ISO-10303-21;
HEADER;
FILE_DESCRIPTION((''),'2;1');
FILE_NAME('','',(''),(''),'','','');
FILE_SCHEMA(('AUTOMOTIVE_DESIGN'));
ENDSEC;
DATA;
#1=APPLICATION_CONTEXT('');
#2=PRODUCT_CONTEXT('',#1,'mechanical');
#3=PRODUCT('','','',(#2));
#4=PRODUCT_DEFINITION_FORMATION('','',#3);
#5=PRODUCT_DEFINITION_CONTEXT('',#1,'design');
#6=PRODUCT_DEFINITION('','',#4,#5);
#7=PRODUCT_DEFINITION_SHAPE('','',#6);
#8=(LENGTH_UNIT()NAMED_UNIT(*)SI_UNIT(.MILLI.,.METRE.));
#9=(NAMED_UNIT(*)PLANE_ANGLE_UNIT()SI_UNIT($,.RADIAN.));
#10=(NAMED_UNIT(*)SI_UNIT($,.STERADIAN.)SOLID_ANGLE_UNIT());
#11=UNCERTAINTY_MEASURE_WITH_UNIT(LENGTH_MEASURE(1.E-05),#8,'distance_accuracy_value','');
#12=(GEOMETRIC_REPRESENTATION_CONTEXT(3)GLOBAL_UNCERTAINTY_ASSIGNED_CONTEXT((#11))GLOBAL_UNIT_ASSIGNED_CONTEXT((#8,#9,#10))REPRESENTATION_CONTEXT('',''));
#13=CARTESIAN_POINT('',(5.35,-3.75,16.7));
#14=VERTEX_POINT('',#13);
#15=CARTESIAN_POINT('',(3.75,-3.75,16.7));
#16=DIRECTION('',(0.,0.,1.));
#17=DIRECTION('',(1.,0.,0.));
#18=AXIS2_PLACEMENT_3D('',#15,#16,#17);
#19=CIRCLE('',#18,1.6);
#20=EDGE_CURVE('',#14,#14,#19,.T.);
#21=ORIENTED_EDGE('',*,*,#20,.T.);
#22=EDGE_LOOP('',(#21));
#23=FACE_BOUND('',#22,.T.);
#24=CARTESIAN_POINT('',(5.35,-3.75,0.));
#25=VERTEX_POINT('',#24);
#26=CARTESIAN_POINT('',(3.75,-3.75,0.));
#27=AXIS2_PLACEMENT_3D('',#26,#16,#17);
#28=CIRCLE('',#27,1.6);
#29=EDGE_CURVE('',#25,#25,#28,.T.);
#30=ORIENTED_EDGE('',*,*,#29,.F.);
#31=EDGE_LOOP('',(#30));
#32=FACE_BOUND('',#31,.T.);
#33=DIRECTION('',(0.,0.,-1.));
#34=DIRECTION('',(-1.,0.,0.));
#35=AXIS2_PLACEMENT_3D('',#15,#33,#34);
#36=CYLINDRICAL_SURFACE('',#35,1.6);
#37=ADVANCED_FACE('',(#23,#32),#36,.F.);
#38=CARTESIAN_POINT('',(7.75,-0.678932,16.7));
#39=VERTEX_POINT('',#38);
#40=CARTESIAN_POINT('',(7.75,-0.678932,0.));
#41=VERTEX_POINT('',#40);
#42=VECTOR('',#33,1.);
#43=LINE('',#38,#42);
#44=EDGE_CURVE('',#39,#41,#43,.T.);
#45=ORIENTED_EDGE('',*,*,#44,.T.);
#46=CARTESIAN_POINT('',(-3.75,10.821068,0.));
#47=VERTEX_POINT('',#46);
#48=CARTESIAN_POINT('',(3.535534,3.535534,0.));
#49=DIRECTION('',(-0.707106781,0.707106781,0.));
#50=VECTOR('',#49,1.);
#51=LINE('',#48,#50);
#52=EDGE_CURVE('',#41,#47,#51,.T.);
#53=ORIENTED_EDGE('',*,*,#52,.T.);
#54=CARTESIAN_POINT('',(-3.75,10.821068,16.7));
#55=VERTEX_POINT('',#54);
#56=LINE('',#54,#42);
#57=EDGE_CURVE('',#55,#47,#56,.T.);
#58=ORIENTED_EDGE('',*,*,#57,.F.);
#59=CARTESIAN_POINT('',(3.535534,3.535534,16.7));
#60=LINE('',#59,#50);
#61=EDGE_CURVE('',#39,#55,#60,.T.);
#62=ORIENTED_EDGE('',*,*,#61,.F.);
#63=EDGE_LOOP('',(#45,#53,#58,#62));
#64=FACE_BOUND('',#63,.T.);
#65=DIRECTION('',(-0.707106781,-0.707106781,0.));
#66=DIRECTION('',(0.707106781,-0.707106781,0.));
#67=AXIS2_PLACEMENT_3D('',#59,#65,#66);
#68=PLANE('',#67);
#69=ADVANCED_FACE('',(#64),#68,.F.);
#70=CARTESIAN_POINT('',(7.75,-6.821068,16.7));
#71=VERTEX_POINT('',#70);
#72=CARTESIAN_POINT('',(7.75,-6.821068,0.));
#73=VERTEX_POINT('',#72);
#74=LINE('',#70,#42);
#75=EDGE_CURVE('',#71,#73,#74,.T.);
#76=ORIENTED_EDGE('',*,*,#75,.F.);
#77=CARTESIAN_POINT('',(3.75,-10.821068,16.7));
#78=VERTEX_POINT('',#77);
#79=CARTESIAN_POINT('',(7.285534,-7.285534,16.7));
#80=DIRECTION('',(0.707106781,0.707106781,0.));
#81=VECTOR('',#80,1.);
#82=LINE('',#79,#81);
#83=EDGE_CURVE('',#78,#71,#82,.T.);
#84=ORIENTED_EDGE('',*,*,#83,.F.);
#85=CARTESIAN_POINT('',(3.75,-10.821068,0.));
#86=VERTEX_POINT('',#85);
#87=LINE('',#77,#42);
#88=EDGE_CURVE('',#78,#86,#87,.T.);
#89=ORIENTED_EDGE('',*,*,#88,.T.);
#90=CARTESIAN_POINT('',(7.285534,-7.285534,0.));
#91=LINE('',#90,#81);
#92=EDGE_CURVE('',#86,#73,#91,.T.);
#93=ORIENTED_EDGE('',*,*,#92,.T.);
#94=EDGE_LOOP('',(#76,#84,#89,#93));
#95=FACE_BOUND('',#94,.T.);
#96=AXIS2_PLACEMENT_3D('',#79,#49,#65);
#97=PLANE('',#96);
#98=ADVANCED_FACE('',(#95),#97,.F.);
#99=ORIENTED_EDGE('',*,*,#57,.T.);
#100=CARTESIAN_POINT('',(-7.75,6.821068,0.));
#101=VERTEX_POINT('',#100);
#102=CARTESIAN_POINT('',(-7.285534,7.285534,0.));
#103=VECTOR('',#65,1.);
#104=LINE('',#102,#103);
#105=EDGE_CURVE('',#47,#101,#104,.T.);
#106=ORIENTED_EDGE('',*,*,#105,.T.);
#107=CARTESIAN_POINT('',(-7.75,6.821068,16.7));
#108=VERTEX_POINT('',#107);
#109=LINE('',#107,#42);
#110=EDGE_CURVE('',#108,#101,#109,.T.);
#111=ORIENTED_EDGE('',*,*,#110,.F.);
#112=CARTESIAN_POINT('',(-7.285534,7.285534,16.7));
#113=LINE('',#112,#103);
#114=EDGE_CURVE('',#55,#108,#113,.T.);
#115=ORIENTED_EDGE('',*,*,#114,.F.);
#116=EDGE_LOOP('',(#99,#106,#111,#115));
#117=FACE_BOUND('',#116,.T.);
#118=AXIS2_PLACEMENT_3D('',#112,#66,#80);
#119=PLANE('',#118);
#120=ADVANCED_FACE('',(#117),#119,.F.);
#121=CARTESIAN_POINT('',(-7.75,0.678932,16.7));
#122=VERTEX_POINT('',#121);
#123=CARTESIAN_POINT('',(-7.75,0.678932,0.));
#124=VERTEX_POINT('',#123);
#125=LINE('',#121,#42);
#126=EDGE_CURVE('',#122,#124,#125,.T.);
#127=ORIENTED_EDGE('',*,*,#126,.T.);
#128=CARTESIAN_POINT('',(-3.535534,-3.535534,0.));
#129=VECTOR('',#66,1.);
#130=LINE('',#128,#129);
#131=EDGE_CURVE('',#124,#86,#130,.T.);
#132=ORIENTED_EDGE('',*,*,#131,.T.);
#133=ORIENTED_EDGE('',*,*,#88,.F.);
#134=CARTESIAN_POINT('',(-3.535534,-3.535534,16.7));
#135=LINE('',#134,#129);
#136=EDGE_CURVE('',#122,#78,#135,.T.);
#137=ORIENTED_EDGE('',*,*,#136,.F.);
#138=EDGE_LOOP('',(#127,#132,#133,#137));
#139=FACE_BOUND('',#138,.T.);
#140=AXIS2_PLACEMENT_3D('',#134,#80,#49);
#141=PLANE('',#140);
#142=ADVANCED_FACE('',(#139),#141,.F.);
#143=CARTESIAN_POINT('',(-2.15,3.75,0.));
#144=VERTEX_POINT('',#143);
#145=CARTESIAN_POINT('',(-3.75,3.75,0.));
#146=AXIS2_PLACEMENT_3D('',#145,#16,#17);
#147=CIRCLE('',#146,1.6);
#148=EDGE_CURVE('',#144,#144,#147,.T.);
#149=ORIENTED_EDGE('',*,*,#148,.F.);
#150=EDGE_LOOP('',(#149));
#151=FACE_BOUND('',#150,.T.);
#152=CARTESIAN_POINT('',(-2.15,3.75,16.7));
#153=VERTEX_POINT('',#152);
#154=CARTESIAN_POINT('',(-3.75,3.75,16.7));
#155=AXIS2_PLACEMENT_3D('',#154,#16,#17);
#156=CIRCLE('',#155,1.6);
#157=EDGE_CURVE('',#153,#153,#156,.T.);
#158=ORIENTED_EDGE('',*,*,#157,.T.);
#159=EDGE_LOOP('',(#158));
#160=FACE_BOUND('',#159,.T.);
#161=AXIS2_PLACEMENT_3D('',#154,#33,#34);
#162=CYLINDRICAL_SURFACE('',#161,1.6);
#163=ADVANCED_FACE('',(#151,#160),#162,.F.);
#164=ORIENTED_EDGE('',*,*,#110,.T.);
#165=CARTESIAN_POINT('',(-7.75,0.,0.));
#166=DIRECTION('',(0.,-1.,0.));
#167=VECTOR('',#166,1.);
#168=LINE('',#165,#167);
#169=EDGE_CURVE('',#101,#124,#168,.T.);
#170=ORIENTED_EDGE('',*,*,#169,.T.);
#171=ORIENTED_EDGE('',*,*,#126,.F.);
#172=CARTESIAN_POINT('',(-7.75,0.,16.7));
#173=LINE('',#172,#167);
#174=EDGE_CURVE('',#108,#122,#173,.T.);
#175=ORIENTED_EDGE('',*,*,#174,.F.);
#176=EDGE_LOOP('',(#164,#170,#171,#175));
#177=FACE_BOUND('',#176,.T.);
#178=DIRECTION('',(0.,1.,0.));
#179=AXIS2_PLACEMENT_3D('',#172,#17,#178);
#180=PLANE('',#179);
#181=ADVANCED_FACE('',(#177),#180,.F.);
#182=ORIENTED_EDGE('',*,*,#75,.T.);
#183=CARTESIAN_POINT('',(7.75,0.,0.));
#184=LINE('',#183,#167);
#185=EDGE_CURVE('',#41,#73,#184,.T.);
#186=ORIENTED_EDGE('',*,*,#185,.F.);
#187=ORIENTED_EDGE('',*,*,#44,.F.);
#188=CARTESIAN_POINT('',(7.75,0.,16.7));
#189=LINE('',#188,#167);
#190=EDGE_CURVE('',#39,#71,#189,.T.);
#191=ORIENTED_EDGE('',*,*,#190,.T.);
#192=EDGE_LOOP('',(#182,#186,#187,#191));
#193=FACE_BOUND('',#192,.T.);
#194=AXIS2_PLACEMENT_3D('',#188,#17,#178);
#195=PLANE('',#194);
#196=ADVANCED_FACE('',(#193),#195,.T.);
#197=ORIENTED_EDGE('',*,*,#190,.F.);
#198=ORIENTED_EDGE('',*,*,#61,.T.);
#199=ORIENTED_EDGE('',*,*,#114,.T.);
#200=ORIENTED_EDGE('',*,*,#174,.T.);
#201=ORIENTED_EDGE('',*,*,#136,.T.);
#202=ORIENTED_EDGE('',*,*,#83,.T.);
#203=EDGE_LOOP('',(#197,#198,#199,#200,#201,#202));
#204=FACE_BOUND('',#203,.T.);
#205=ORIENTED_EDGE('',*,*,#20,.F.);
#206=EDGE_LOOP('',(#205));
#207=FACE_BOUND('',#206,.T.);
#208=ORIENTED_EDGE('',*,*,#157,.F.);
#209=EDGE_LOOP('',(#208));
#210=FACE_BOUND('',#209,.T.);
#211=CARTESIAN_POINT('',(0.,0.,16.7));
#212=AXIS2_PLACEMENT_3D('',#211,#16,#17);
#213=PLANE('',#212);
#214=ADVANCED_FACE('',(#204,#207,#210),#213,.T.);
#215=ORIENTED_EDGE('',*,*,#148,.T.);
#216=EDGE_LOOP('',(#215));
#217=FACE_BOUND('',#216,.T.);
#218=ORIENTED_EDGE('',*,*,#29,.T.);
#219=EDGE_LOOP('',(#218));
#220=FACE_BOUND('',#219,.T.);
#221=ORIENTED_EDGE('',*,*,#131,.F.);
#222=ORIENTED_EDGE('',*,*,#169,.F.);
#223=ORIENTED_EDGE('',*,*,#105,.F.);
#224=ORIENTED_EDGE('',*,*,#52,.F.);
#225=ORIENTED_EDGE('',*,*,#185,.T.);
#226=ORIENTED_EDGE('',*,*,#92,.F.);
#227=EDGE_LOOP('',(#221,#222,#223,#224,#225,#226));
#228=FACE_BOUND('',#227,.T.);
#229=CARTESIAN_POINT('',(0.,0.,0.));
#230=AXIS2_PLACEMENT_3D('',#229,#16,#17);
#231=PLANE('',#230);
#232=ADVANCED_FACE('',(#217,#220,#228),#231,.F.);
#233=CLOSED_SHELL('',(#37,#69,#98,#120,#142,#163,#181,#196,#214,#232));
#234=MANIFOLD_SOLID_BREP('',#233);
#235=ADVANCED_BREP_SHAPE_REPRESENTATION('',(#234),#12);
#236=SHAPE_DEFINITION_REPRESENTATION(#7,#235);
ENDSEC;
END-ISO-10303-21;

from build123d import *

# Parameters (mm, degrees)
SKETCH1_R           = 1.6
BOSS_EXTRUDE1_DEPTH = 16.7


with BuildPart() as part:
    # Sketch1 → Boss-Extrude1 (new body)
    with BuildSketch(Plane.XY):
        Polygon((7.75, -0.678932188), (-3.75, 10.821067812), (-7.75, 6.821067812), (-7.75, 0.678932188), (3.75, -10.821067812), (7.75, -6.821067812), align=None)
        with Locations((3.75, -3.75)):
            Circle(SKETCH1_R, mode=Mode.SUBTRACT)
        with Locations((-3.75, 3.75)):
            Circle(SKETCH1_R, mode=Mode.SUBTRACT)
    extrude(amount=BOSS_EXTRUDE1_DEPTH)


solid = part.part
